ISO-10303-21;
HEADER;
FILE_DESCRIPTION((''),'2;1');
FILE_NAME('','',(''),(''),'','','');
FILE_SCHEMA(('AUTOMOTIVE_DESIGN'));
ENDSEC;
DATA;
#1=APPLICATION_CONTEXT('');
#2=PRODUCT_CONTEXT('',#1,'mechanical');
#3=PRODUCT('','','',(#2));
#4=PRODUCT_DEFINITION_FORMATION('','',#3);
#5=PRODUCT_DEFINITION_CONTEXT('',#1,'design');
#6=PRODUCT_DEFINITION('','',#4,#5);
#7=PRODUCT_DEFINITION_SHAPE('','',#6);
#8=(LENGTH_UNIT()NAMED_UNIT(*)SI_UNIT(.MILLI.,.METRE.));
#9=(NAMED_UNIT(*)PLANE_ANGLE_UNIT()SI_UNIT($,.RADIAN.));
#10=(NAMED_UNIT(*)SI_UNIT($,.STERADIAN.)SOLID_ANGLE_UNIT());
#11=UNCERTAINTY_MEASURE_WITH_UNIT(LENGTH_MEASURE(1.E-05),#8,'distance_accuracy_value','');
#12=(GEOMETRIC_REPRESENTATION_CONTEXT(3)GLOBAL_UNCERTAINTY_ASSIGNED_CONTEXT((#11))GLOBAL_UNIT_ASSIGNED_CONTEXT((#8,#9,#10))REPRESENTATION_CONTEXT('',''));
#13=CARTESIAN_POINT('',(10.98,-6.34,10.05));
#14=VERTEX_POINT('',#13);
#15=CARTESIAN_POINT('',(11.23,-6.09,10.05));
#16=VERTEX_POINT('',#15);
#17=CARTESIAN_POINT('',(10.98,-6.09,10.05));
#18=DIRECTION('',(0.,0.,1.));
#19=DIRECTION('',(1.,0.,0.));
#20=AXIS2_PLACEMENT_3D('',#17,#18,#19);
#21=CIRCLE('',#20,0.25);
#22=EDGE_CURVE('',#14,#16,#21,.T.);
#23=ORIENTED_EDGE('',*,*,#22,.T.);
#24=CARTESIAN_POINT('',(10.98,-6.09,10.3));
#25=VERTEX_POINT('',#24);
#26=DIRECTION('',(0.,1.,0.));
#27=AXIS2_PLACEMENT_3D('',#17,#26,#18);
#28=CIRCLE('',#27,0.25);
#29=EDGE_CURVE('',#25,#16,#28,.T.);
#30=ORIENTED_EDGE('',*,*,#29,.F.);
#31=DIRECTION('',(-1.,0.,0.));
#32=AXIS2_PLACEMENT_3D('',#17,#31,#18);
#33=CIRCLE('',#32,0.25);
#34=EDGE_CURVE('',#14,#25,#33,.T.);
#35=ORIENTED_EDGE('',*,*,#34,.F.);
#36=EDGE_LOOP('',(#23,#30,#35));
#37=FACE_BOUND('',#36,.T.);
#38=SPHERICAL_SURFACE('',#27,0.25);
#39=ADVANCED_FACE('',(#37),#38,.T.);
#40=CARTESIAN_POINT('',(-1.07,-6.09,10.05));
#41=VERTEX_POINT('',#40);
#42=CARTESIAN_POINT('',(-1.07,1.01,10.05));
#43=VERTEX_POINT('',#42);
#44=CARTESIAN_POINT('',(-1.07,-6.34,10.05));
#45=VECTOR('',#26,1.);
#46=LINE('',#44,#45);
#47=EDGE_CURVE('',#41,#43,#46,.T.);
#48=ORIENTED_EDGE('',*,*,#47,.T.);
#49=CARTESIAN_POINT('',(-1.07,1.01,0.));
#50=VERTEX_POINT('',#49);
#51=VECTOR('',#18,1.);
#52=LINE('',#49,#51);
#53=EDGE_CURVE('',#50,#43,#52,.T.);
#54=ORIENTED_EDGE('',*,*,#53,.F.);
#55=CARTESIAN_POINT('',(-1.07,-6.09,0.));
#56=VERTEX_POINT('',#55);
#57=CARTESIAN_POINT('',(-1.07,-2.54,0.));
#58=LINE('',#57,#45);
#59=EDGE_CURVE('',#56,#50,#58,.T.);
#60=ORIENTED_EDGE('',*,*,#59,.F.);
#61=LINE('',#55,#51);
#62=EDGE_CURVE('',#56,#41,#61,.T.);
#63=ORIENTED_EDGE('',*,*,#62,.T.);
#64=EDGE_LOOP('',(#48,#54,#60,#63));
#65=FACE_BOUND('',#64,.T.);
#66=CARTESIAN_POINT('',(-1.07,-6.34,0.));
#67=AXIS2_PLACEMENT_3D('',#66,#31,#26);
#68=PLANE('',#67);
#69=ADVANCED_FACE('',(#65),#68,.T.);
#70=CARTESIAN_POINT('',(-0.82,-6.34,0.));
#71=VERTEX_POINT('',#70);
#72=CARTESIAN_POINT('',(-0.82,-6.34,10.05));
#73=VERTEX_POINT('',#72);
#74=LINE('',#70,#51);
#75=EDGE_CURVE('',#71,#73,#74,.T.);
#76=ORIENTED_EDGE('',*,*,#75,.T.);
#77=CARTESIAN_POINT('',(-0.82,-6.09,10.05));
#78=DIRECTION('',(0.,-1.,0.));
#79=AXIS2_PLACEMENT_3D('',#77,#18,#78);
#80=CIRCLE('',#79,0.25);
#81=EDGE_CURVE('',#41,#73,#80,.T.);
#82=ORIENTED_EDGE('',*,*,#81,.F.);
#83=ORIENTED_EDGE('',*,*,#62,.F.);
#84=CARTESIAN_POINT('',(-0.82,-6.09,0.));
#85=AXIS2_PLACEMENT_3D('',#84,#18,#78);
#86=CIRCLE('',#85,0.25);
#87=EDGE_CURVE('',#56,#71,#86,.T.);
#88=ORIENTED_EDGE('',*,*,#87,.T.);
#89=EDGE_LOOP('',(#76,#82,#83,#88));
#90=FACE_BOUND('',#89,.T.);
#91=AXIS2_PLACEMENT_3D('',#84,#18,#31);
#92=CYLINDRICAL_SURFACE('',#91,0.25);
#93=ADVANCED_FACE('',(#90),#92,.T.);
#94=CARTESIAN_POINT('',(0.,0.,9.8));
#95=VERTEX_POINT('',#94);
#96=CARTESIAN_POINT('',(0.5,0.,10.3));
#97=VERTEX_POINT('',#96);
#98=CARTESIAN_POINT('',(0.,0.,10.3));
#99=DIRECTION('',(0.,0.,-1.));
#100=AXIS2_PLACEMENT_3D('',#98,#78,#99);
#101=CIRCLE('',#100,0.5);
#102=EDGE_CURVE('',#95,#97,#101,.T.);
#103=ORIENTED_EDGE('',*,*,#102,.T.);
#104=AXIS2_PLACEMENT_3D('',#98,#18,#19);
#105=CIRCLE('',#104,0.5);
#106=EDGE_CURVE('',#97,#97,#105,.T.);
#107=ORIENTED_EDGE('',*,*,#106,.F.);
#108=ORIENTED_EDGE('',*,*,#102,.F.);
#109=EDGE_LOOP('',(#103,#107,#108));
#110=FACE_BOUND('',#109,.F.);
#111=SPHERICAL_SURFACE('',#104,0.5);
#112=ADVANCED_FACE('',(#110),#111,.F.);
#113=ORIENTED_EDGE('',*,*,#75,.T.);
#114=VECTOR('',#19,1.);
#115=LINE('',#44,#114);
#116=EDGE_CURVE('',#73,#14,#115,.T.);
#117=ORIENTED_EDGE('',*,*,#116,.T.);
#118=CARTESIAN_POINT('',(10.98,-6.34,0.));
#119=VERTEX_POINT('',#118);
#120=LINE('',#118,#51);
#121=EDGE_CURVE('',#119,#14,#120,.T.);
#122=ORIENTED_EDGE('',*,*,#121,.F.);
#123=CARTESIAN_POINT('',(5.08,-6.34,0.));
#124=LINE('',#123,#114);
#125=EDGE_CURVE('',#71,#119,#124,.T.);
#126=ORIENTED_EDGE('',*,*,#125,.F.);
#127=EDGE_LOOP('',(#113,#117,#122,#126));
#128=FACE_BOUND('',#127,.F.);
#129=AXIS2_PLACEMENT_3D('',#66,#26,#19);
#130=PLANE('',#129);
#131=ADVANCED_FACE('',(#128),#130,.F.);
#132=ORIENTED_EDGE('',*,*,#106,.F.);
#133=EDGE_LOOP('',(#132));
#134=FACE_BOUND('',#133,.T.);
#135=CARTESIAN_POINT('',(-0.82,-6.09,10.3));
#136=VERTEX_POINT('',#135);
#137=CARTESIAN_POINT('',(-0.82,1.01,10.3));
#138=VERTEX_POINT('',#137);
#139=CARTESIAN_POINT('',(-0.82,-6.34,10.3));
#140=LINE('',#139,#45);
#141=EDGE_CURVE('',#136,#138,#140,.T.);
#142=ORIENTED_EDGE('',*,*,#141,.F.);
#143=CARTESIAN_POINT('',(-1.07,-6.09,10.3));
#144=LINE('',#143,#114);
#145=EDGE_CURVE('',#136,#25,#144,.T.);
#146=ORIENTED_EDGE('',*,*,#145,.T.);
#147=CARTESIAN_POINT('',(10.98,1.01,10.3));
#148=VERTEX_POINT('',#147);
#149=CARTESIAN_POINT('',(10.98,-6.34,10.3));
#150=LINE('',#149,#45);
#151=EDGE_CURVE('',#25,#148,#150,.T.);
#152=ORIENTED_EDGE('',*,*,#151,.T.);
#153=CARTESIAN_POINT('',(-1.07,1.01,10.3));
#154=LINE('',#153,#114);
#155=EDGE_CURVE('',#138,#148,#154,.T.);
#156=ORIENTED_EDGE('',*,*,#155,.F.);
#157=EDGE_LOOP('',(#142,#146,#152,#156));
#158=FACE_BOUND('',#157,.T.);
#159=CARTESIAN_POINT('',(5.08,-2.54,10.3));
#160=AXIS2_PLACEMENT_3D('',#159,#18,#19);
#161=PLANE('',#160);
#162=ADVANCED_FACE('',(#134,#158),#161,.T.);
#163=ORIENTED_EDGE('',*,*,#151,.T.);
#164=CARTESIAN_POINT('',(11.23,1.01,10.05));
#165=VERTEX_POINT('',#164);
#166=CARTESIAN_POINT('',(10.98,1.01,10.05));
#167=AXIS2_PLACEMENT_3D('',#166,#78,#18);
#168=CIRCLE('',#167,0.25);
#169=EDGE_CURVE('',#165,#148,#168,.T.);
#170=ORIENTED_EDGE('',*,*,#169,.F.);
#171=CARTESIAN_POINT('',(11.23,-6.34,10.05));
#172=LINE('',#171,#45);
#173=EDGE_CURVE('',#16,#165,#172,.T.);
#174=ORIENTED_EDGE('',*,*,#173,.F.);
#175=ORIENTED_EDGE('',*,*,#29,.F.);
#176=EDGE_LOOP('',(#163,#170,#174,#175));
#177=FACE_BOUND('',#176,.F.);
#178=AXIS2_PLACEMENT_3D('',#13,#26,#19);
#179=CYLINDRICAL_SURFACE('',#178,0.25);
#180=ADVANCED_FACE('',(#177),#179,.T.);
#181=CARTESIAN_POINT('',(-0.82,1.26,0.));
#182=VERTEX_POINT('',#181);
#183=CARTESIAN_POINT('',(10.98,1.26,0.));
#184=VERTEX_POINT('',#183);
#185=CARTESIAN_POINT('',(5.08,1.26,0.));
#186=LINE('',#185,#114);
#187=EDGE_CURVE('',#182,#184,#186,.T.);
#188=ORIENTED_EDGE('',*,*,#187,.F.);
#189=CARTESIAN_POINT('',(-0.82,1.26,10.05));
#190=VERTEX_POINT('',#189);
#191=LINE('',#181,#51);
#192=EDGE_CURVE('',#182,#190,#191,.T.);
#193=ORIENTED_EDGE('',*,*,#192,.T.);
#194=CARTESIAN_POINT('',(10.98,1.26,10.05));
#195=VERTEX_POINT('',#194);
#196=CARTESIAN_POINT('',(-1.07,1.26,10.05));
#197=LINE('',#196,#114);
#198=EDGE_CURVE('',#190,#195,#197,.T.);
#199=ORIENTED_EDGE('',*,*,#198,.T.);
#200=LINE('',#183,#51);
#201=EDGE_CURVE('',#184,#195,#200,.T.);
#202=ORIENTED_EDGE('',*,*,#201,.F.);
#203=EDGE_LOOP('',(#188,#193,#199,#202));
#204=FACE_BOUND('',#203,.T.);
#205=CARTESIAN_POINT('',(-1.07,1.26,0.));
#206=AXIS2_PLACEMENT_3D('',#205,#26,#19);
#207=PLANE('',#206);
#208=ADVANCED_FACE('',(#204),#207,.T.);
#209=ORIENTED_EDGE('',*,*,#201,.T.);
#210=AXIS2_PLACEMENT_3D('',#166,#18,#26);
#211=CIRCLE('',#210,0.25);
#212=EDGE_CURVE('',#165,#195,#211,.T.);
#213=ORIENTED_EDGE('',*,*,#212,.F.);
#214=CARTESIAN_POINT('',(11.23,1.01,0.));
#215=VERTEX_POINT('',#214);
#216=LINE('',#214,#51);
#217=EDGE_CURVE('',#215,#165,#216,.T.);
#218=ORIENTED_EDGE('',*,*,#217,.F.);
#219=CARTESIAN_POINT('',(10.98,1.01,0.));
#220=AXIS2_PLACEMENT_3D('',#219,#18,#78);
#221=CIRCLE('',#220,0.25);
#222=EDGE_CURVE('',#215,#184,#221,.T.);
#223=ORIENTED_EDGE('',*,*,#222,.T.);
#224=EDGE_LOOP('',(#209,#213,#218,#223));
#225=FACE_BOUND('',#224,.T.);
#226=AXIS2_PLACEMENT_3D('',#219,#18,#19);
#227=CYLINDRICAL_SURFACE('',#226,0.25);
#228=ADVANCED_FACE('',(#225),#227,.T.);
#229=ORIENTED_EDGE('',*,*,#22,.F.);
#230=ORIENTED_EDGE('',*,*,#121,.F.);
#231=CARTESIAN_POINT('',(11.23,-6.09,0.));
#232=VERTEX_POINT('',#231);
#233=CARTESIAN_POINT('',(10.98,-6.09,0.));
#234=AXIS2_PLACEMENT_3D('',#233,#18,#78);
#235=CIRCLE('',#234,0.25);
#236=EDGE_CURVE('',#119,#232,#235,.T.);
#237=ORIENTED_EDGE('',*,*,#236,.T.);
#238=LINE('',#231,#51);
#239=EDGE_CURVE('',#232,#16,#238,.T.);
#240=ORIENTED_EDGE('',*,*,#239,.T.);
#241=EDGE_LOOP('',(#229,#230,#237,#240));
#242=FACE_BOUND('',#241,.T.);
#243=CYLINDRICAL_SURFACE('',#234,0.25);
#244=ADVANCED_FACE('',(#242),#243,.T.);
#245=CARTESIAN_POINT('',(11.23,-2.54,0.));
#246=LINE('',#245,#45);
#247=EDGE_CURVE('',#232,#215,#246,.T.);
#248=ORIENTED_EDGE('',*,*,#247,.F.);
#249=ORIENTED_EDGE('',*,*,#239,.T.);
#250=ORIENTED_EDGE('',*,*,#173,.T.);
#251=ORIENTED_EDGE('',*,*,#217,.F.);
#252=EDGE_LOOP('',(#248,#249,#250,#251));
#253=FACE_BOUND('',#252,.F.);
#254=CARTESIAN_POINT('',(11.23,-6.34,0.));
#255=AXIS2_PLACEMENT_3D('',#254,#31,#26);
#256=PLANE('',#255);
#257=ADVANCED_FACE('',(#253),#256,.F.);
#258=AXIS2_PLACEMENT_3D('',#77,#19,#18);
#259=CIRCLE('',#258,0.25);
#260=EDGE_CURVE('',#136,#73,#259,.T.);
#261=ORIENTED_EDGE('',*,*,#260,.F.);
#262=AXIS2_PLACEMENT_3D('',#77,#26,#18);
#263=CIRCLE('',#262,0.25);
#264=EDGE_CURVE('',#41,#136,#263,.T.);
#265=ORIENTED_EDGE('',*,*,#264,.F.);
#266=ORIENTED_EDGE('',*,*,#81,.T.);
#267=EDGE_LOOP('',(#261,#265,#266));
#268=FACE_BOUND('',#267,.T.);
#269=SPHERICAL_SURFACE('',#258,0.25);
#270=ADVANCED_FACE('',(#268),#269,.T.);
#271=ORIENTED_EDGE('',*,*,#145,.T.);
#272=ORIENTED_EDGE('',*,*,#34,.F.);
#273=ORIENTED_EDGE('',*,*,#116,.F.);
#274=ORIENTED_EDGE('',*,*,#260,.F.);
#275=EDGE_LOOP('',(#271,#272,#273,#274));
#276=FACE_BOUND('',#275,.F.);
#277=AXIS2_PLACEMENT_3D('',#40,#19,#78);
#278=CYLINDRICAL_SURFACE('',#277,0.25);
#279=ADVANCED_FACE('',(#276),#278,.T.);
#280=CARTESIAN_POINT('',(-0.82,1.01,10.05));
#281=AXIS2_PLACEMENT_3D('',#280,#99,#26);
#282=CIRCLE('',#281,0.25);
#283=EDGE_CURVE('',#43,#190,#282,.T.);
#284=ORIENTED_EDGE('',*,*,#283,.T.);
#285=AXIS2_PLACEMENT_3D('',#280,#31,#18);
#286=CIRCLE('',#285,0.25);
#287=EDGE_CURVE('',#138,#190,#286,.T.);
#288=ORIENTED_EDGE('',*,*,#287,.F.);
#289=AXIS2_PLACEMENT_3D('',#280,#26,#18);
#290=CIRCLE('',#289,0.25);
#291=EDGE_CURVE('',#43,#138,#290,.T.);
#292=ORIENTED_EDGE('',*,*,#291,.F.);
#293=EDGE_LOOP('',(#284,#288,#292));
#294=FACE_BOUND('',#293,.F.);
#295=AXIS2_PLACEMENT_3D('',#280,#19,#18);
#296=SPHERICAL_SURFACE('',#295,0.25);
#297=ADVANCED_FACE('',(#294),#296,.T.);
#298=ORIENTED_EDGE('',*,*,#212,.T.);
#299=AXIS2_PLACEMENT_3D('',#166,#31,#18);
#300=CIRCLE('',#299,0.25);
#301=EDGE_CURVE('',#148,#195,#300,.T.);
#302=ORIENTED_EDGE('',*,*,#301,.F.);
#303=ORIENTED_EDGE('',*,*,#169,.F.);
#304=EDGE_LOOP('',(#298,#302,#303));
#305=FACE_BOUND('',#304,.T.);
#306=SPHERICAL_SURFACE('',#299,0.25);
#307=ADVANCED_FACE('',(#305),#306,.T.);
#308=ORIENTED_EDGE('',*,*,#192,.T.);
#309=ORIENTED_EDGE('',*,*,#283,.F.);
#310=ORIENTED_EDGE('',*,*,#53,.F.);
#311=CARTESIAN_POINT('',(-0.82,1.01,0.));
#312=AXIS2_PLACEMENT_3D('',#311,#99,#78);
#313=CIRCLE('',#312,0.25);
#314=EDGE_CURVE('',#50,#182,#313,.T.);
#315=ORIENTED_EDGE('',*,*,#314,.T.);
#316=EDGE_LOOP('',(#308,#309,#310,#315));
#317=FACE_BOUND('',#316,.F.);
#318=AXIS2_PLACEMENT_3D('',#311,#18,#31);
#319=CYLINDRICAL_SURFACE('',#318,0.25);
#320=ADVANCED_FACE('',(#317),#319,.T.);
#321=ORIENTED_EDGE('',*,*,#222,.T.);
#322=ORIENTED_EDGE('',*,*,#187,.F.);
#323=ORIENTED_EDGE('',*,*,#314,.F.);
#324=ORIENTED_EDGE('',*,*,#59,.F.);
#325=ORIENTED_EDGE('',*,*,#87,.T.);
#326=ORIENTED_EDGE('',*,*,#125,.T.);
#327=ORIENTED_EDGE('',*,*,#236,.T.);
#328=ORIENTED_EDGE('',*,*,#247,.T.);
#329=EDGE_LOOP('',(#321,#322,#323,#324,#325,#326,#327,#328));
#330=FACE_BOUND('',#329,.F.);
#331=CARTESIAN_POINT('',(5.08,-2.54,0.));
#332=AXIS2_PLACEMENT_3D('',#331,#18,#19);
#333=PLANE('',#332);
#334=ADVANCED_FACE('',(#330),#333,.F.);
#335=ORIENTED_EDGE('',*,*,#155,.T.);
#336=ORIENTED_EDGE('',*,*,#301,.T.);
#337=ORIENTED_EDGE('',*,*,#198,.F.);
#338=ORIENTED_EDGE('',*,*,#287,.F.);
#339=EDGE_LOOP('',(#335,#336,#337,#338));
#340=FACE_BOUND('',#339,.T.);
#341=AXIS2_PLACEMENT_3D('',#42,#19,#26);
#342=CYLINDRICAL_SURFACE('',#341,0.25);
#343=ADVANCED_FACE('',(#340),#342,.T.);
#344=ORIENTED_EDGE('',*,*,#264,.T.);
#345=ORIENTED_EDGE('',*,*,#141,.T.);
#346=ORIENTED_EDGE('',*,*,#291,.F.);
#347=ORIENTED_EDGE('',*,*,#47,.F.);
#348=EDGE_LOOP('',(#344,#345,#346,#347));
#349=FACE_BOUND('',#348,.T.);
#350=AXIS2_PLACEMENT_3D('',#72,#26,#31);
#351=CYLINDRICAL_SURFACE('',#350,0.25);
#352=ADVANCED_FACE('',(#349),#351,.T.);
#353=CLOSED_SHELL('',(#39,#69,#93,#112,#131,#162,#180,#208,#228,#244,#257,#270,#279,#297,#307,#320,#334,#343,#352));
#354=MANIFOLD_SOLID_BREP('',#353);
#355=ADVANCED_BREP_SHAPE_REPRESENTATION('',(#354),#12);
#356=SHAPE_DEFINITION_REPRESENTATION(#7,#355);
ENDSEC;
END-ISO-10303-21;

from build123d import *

# Parameters (mm, degrees)
SKETCH_W  = 12.3
SKETCH_H  = 7.6
PAD_DEPTH = 10.3
FILLET_R  = 0.25


with BuildPart() as part:
    # Sketch → Pad (new body)
    with BuildSketch(Plane.XY):
        with Locations((5.08, -2.54)):
            Rectangle(SKETCH_W, SKETCH_H)
    extrude(amount=PAD_DEPTH)

    # Fillet
    fillet_edges = [part.edges().sort_by_distance(p)[0] for p in [
        (5.08, 1.26, 10.3),
        (11.23, -2.54, 10.3),
        (5.08, -6.34, 10.3),
        (-1.07, -2.54, 10.3),
        (11.23, 1.26, 5.15),
        (-1.07, 1.26, 5.15),
        (11.23, -6.34, 5.15),
        (-1.07, -6.34, 5.15),
    ]]
    fillet(fillet_edges, radius=FILLET_R)

    # Sphere → Sphere (revolve, cut)
    with BuildSketch(Plane(origin=(0, 0, 10.3), x_dir=(1, 0, 0), z_dir=(0, -1, 0))):
        with BuildLine():
            ThreePointArc((0, -0.5), (0.5, 0), (0, 0.5))
            Line((0, 0.5), (0, -0.5))
        make_face()
    revolve(axis=Axis((0, 0, 10.3), (0, 0, 1)), mode=Mode.SUBTRACT)


solid = part.part
